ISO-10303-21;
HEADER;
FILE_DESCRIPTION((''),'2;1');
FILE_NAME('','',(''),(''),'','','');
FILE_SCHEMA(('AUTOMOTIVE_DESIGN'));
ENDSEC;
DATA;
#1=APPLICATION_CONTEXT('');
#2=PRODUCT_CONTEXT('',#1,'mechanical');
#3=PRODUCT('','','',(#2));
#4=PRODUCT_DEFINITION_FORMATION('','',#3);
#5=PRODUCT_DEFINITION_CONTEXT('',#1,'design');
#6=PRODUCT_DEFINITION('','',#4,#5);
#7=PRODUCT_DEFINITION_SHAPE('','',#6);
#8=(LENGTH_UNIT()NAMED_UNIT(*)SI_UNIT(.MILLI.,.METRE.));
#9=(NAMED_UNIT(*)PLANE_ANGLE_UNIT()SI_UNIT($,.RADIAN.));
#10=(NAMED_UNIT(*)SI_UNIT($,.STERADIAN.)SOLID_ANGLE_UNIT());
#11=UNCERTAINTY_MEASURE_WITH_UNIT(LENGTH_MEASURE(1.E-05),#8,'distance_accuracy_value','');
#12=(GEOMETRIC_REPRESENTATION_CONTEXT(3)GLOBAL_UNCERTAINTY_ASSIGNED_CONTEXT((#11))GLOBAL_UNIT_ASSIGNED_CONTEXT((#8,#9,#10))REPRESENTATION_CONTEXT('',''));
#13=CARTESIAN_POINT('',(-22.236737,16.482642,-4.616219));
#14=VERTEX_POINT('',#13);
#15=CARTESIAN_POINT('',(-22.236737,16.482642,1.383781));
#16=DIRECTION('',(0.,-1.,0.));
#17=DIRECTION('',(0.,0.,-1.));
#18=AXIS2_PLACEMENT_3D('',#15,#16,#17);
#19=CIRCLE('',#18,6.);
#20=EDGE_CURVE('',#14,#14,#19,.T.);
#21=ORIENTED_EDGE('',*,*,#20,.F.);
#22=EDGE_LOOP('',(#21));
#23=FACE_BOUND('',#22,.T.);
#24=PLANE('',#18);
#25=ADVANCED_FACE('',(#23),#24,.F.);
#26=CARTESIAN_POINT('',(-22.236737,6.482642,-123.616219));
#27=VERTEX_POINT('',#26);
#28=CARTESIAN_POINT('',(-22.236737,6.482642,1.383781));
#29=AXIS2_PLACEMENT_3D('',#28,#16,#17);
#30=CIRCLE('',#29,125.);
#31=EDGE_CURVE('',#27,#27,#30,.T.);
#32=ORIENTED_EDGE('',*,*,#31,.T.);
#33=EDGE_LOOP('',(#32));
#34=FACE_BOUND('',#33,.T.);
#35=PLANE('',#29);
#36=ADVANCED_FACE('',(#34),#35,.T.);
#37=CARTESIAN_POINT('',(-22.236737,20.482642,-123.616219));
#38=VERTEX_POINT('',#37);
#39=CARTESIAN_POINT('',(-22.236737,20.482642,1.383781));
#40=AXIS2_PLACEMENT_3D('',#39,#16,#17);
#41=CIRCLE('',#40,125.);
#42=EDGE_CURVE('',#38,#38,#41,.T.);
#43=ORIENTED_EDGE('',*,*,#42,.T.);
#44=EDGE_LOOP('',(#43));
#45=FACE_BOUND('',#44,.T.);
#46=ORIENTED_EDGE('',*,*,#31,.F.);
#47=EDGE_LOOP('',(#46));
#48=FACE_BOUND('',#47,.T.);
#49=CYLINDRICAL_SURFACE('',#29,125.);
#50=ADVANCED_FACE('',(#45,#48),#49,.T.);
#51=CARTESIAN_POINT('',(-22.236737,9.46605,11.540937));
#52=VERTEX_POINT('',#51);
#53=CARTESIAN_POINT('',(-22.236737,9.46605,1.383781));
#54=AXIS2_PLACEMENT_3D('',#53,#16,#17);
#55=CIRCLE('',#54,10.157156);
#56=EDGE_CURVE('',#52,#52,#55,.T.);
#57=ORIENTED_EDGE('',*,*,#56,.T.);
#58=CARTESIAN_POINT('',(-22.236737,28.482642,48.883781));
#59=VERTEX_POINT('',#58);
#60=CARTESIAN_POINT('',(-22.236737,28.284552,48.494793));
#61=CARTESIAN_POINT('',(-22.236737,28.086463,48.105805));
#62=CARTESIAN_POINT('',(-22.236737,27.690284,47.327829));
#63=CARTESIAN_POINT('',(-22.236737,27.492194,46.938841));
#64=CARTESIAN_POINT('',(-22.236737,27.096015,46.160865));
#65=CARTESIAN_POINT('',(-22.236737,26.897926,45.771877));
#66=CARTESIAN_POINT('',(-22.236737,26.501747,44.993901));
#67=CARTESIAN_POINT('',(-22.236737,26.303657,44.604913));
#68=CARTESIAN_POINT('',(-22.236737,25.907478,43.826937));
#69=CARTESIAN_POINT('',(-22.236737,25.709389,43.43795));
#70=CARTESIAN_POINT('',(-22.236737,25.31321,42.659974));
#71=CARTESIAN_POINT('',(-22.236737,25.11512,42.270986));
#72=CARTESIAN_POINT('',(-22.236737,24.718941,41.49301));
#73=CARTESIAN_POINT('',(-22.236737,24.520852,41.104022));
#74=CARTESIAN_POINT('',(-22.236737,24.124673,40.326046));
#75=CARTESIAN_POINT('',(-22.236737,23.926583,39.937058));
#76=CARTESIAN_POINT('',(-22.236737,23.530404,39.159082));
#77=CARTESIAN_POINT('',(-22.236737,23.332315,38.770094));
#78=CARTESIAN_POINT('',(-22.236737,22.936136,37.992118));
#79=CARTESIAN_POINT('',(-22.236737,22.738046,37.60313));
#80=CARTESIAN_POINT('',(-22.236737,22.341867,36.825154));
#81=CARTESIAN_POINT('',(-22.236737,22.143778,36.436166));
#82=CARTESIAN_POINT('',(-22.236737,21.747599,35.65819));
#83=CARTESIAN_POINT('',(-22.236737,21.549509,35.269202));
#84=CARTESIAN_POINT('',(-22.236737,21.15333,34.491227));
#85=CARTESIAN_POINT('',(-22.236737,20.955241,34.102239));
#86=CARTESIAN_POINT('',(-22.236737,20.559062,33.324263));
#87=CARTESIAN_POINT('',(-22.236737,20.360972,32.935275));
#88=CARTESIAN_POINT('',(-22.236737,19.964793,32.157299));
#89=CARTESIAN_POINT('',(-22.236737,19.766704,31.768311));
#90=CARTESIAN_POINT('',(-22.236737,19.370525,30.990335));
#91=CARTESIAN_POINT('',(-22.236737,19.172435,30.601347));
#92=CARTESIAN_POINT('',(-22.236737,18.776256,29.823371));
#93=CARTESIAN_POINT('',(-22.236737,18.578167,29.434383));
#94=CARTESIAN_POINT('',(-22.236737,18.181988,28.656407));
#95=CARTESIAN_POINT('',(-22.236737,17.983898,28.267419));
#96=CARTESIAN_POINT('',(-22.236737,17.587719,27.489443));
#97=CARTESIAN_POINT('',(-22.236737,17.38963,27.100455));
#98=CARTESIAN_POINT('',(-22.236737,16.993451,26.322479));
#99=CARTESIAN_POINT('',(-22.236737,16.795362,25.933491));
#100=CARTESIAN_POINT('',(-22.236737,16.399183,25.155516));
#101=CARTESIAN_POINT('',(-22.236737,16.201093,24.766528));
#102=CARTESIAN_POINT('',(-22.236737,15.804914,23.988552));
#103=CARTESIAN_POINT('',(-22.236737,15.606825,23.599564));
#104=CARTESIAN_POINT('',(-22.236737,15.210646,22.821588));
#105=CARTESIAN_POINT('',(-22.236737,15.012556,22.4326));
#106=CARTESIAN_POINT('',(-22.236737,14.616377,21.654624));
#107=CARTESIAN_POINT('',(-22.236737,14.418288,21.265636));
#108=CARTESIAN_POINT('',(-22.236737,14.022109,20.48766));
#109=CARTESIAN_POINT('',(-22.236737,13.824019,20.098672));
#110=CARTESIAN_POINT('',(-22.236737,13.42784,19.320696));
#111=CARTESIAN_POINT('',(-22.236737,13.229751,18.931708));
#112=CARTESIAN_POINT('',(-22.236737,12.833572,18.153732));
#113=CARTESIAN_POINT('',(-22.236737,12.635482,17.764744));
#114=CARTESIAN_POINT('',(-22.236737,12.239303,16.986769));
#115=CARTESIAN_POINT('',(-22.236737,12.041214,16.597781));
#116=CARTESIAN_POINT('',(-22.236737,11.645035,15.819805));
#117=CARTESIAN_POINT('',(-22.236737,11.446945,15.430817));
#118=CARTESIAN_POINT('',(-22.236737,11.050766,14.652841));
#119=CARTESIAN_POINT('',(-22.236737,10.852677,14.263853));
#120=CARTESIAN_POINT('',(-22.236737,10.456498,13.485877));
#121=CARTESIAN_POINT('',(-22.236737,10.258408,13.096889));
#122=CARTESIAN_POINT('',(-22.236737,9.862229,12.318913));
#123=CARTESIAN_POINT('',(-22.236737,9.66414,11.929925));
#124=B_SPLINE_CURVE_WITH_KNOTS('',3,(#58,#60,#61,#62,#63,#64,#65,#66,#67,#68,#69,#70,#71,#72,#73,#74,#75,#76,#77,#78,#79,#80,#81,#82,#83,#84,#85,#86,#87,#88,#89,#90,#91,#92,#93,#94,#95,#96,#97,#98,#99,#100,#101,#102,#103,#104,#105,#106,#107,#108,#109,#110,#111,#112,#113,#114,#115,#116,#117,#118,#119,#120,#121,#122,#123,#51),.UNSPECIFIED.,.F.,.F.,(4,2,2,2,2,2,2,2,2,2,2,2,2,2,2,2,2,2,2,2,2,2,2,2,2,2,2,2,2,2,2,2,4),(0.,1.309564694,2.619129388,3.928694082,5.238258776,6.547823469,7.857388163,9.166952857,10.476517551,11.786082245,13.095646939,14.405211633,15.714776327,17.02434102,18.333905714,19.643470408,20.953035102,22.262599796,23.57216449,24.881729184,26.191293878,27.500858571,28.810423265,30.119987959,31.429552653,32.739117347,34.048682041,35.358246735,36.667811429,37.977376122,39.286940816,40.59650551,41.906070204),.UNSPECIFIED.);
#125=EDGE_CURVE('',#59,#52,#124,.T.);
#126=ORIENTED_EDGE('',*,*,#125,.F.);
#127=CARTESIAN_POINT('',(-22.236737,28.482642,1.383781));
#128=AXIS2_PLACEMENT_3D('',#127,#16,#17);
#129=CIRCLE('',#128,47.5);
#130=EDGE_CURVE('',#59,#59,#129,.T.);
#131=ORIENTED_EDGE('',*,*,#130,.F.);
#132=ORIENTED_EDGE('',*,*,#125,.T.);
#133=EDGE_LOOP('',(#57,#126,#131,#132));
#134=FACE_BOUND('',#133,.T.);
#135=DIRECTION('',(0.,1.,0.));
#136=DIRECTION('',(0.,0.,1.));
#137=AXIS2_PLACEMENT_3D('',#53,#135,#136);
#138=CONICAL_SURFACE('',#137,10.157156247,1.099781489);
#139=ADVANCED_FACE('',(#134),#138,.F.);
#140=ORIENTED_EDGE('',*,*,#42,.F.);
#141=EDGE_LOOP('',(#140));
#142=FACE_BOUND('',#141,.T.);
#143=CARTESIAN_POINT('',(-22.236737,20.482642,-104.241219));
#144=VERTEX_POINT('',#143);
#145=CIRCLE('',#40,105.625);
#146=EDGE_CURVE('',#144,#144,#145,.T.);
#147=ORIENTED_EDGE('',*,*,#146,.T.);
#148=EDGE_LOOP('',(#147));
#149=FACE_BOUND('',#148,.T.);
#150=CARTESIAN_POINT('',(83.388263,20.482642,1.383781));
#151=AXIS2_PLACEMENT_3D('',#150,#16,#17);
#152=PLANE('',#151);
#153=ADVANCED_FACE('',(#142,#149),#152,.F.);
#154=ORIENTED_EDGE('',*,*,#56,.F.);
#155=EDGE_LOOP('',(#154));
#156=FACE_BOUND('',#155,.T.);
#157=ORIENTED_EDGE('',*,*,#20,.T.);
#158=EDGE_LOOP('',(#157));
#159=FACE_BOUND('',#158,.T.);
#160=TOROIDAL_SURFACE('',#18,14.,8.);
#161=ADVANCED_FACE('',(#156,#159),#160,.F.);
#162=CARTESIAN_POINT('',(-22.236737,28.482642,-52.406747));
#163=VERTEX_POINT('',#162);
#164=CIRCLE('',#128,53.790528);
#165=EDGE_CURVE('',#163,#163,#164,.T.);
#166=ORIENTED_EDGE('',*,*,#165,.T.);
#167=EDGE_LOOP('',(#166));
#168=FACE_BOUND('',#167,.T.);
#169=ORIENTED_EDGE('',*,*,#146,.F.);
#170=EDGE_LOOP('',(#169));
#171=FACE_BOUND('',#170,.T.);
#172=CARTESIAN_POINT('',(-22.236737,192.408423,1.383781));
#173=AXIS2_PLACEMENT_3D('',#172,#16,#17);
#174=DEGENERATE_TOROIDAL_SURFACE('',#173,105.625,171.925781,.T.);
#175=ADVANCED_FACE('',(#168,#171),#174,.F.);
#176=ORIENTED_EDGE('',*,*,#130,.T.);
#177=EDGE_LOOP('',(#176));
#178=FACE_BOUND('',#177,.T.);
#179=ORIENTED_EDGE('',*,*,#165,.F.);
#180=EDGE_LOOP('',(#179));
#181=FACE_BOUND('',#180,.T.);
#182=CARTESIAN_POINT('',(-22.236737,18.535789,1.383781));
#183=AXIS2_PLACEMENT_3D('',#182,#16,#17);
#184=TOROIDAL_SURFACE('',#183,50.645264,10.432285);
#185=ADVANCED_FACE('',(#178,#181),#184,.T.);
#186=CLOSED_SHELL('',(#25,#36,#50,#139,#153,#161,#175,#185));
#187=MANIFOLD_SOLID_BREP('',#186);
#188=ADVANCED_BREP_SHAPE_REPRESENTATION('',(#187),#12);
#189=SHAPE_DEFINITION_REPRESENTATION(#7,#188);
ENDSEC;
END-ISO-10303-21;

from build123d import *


with BuildPart() as part:
    # Sketch1 → Revolve1 (revolve)
    with BuildSketch(Plane(origin=(0, 0, 1.383780883), x_dir=(0, -1, 0), z_dir=(0, 0, 1)), mode=Mode.PRIVATE) as revolve1_sk:
        with BuildLine():
            Line((-6.482641531, -22.236737445), (-16.482641531, -22.236737445))
            Line((-16.482641531, -22.236737445), (-16.482641531, -16.236737445))
            ThreePointArc((-16.482641531, -16.236737445), (-12.404820423, -15.119424058), (-9.466050343, -12.079581198))
            Line((-9.466050343, -12.079581198), (-28.482641531, 25.263262555))
            ThreePointArc((-28.482641531, 25.263262555), (-28.968073531, 28.408526495), (-28.482641531, 31.553790435))
            ThreePointArc((-28.482641531, 31.553790435), (-22.494411783, 57.164168196), (-20.482641531, 83.388262555))
            Line((-20.482641531, 83.388262555), (-20.482641531, 102.763262555))
            Line((-20.482641531, 102.763262555), (-6.482641531, 102.763262555))
            Line((-6.482641531, 102.763262555), (-6.482641531, -22.236737445))
        make_face()
    revolve(revolve1_sk.sketch.rotate(Axis((-22.236737445, 6.482641531, 1.383780883), (0, 1, 0)), 90), axis=Axis((-22.236737445, 6.482641531, 1.383780883), (0, 1, 0)))


solid = part.part
